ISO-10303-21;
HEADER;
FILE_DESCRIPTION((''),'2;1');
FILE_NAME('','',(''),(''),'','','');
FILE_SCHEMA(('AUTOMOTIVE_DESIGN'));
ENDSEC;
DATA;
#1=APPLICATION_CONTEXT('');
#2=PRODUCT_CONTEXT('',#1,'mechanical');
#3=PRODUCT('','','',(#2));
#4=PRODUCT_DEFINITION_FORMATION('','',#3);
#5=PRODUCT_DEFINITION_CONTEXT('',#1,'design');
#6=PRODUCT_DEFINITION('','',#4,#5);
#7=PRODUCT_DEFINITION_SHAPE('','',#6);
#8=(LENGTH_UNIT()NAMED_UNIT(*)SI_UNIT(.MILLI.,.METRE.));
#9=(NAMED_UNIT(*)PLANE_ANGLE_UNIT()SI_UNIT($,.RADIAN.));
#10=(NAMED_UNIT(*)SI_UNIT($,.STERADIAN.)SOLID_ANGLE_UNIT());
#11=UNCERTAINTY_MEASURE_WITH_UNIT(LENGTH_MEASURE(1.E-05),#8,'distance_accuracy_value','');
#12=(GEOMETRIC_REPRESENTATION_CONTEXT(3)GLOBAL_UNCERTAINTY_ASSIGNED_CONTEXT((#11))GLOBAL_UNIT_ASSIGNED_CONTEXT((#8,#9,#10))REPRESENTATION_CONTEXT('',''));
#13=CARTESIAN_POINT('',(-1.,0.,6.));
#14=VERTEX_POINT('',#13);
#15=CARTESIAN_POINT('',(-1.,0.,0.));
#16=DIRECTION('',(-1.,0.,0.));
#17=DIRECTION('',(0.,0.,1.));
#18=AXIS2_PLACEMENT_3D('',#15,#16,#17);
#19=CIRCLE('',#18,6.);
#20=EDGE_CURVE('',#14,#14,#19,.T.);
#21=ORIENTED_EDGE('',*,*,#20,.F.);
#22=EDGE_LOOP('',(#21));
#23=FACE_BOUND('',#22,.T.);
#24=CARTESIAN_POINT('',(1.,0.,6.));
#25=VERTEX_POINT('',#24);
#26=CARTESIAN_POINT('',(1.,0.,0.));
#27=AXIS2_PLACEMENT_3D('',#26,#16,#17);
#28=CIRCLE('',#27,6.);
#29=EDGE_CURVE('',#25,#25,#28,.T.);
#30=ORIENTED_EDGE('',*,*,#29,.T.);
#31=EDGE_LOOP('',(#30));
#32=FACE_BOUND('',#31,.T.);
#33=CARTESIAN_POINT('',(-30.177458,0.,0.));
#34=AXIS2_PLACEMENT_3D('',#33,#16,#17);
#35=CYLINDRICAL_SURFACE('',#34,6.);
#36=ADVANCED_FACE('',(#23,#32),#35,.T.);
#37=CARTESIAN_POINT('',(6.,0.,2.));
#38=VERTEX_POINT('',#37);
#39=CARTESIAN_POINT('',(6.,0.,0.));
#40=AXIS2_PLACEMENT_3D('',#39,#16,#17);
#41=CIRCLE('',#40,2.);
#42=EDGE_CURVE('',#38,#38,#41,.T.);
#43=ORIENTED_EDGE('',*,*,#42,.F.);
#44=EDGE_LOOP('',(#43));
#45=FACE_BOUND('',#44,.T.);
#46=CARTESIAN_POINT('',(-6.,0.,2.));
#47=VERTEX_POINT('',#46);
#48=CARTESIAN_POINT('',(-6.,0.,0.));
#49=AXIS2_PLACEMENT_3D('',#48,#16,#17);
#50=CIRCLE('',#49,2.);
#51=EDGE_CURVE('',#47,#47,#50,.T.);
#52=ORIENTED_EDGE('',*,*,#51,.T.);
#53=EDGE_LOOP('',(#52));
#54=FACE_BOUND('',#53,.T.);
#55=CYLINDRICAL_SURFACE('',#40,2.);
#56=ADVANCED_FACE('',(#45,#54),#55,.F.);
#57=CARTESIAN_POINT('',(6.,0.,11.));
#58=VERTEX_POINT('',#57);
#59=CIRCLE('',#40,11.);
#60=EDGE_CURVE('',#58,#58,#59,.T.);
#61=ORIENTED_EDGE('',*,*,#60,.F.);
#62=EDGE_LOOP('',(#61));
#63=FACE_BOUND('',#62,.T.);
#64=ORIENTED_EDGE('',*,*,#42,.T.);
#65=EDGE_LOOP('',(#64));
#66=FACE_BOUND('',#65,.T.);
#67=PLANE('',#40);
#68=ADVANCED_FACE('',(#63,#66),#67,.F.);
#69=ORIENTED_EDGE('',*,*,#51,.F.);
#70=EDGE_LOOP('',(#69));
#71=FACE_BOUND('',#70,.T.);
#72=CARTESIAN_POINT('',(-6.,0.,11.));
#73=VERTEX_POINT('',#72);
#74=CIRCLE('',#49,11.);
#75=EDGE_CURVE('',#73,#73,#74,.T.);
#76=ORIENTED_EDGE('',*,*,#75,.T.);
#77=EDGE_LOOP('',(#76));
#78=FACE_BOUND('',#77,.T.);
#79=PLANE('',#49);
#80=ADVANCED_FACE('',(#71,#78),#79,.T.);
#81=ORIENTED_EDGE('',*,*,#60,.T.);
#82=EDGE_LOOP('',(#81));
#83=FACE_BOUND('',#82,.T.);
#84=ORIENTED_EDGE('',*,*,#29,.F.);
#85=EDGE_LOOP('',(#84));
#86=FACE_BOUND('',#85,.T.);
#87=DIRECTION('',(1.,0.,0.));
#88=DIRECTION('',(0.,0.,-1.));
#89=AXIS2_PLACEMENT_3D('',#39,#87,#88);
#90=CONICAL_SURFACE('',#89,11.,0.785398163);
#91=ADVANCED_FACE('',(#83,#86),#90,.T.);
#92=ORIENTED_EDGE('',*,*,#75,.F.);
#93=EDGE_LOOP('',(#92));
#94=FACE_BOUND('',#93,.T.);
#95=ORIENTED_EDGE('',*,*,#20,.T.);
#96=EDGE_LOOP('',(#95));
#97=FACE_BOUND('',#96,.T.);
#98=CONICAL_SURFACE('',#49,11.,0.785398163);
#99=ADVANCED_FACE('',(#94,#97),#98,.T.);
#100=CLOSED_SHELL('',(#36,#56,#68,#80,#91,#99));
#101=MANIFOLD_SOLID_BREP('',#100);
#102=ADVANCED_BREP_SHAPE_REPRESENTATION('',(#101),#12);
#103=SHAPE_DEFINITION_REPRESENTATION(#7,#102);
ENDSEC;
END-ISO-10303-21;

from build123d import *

# Parameters (mm, degrees)
SKETCH2_R          = 2
CUT_EXTRUDE2_DEPTH = 12


with BuildPart() as part:
    # Sketch1 → Revolve2 (revolve)
    with BuildSketch(Plane(origin=(0, 0, 0), x_dir=(1, 0, 0), z_dir=(0, 1, 0)), mode=Mode.PRIVATE) as revolve2_sk:
        Polygon((6, 0), (-6, 0), (-6, 11), (-1, 6), (1, 6), (6, 11), align=None)
    revolve(revolve2_sk.sketch.rotate(Axis((-30.177458034, 0, 0), (1, 0, 0)), 180), axis=Axis((-30.177458034, 0, 0), (1, 0, 0)))

    # Sketch2 → Cut-Extrude2 (cut)
    with BuildSketch(Plane.ZY.offset(6)):
        Circle(SKETCH2_R)
    extrude(amount=-CUT_EXTRUDE2_DEPTH, mode=Mode.SUBTRACT)


solid = part.part
